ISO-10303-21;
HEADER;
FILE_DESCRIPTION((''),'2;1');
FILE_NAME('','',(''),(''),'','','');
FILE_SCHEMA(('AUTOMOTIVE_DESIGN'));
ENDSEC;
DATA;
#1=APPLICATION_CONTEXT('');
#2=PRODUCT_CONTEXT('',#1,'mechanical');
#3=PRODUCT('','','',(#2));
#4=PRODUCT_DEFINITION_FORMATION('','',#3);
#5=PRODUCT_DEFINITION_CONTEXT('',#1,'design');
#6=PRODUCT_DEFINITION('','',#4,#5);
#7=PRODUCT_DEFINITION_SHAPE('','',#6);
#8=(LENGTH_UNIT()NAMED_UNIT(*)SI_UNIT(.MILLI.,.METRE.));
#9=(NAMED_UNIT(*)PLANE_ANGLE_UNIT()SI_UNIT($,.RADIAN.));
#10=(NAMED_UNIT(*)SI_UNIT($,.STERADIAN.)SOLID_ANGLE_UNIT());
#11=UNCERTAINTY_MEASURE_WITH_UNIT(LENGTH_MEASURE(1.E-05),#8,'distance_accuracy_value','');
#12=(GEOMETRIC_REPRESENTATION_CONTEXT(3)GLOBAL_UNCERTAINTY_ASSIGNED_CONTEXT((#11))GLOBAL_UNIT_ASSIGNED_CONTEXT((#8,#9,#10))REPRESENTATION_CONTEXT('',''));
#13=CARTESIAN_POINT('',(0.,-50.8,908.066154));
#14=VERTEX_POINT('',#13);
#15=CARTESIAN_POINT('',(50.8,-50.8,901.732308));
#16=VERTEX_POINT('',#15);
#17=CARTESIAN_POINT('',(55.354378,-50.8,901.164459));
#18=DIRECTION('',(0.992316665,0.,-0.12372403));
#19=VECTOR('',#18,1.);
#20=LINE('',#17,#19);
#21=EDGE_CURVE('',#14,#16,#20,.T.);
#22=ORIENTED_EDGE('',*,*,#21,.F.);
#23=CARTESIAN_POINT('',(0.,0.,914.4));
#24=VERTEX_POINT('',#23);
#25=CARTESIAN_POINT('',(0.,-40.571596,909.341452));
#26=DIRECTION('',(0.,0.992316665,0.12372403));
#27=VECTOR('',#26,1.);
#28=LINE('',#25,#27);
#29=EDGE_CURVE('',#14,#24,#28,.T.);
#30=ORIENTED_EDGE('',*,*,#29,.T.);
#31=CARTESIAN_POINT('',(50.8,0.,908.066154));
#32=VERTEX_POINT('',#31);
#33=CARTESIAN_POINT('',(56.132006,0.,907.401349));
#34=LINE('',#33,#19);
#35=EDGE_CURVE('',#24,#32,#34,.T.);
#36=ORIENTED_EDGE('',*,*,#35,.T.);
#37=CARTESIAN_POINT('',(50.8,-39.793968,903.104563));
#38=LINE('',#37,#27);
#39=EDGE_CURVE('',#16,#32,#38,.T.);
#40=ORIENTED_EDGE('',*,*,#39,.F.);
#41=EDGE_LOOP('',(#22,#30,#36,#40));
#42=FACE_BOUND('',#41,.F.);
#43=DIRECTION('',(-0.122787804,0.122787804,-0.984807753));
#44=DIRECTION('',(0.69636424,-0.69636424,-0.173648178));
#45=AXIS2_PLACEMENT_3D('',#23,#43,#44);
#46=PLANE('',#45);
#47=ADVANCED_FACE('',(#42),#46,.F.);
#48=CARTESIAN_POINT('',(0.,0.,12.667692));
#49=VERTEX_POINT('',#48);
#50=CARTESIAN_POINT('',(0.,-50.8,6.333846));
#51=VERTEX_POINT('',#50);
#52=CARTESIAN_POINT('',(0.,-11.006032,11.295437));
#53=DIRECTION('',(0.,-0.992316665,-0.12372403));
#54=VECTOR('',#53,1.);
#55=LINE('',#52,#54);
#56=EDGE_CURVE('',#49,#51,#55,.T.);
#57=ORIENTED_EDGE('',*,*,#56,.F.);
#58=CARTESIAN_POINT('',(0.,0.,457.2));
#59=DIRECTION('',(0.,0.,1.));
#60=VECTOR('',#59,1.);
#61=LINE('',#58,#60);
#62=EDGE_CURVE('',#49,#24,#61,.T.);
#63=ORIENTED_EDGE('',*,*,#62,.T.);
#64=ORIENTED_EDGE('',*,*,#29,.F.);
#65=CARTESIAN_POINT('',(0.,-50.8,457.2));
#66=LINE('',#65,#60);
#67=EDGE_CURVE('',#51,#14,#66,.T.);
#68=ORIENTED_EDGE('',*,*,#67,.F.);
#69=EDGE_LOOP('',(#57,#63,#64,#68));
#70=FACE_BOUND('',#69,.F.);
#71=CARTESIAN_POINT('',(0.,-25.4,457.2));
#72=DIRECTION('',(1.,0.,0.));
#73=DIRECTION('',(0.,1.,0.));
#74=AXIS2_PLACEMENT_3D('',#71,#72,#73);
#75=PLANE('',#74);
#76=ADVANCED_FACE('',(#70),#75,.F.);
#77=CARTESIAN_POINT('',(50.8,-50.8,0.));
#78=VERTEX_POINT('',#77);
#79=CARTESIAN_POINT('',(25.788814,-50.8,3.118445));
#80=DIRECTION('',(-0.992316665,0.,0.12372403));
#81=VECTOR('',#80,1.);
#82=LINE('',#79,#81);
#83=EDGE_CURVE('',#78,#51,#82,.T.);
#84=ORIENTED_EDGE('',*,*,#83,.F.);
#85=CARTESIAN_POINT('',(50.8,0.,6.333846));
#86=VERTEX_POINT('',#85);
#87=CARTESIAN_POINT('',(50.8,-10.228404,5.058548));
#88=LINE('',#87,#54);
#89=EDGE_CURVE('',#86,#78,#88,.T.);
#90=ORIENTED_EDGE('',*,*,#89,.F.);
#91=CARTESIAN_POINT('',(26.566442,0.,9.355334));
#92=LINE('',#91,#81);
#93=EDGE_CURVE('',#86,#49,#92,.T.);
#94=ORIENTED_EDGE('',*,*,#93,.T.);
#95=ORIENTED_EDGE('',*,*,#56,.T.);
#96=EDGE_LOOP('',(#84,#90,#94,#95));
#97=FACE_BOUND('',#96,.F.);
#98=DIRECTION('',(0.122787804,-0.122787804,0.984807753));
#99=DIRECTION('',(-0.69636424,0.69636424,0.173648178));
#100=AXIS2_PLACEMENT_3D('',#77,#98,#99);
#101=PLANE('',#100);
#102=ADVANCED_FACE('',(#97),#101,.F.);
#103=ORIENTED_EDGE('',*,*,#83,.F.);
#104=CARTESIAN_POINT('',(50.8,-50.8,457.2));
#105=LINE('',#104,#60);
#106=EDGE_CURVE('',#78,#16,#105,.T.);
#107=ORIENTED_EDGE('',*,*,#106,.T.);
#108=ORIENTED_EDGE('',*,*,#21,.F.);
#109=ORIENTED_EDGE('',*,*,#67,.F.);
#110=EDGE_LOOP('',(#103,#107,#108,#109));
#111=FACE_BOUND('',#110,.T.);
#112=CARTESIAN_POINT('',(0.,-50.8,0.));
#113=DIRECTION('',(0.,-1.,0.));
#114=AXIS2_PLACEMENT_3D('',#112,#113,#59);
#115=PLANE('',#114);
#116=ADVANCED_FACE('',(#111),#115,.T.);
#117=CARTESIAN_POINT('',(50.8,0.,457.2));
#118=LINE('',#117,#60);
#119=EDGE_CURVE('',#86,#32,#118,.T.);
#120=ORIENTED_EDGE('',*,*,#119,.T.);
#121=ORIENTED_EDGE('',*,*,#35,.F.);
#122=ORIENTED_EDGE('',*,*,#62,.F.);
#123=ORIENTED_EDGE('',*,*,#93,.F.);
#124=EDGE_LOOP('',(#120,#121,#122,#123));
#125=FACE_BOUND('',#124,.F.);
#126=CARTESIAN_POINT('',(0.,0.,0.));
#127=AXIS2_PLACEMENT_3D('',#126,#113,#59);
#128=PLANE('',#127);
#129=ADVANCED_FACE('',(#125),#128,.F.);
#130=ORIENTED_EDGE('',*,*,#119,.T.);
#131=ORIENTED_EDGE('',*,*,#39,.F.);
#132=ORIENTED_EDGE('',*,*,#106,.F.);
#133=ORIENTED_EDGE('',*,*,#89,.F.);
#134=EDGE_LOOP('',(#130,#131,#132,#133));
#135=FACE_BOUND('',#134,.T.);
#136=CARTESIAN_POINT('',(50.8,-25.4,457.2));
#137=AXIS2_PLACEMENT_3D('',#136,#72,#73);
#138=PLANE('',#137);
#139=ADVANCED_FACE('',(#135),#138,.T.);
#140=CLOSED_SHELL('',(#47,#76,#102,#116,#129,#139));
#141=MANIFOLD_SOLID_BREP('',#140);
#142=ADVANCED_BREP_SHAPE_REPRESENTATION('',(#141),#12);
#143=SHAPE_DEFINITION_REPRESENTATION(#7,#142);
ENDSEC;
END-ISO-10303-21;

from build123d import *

# Parameters (mm, degrees)
F1_W     = 50.8
F1_H     = 914.4
F2_DEPTH = 50.8
F4_DEPTH = 38.1
F6_DEPTH = 38.1


with BuildPart() as f2:
    # F1 (on Right) → F2 (new body)
    with BuildSketch(Plane.YZ):
        with Locations((-25.4, 457.2)):
            Rectangle(F1_W, F1_H)
    extrude(amount=F2_DEPTH)

    # F3 (on face) → F4 (cut, symmetric)
    with BuildSketch(Plane(origin=(0, 0, 0), x_dir=(0.7071067812, -0.7071067812, 0), z_dir=(-0.7071067812, -0.7071067812, 0))):
        Polygon((71.8420489686, 914.4), (0, 914.4), (71.8420489686, 901.7323084175), align=None)
    extrude(amount=F4_DEPTH, both=True, mode=Mode.SUBTRACT)

    # F5 (on face) → F6 (cut, symmetric)
    with BuildSketch(Plane(origin=(0, 0, 0), x_dir=(0.7071067812, -0.7071067812, 0), z_dir=(-0.7071067812, -0.7071067812, 0))):
        Polygon((0, 12.6676915825), (0, 0), (71.8420489686, 0), align=None)
    extrude(amount=F6_DEPTH, both=True, mode=Mode.SUBTRACT)


solid = f2.part
